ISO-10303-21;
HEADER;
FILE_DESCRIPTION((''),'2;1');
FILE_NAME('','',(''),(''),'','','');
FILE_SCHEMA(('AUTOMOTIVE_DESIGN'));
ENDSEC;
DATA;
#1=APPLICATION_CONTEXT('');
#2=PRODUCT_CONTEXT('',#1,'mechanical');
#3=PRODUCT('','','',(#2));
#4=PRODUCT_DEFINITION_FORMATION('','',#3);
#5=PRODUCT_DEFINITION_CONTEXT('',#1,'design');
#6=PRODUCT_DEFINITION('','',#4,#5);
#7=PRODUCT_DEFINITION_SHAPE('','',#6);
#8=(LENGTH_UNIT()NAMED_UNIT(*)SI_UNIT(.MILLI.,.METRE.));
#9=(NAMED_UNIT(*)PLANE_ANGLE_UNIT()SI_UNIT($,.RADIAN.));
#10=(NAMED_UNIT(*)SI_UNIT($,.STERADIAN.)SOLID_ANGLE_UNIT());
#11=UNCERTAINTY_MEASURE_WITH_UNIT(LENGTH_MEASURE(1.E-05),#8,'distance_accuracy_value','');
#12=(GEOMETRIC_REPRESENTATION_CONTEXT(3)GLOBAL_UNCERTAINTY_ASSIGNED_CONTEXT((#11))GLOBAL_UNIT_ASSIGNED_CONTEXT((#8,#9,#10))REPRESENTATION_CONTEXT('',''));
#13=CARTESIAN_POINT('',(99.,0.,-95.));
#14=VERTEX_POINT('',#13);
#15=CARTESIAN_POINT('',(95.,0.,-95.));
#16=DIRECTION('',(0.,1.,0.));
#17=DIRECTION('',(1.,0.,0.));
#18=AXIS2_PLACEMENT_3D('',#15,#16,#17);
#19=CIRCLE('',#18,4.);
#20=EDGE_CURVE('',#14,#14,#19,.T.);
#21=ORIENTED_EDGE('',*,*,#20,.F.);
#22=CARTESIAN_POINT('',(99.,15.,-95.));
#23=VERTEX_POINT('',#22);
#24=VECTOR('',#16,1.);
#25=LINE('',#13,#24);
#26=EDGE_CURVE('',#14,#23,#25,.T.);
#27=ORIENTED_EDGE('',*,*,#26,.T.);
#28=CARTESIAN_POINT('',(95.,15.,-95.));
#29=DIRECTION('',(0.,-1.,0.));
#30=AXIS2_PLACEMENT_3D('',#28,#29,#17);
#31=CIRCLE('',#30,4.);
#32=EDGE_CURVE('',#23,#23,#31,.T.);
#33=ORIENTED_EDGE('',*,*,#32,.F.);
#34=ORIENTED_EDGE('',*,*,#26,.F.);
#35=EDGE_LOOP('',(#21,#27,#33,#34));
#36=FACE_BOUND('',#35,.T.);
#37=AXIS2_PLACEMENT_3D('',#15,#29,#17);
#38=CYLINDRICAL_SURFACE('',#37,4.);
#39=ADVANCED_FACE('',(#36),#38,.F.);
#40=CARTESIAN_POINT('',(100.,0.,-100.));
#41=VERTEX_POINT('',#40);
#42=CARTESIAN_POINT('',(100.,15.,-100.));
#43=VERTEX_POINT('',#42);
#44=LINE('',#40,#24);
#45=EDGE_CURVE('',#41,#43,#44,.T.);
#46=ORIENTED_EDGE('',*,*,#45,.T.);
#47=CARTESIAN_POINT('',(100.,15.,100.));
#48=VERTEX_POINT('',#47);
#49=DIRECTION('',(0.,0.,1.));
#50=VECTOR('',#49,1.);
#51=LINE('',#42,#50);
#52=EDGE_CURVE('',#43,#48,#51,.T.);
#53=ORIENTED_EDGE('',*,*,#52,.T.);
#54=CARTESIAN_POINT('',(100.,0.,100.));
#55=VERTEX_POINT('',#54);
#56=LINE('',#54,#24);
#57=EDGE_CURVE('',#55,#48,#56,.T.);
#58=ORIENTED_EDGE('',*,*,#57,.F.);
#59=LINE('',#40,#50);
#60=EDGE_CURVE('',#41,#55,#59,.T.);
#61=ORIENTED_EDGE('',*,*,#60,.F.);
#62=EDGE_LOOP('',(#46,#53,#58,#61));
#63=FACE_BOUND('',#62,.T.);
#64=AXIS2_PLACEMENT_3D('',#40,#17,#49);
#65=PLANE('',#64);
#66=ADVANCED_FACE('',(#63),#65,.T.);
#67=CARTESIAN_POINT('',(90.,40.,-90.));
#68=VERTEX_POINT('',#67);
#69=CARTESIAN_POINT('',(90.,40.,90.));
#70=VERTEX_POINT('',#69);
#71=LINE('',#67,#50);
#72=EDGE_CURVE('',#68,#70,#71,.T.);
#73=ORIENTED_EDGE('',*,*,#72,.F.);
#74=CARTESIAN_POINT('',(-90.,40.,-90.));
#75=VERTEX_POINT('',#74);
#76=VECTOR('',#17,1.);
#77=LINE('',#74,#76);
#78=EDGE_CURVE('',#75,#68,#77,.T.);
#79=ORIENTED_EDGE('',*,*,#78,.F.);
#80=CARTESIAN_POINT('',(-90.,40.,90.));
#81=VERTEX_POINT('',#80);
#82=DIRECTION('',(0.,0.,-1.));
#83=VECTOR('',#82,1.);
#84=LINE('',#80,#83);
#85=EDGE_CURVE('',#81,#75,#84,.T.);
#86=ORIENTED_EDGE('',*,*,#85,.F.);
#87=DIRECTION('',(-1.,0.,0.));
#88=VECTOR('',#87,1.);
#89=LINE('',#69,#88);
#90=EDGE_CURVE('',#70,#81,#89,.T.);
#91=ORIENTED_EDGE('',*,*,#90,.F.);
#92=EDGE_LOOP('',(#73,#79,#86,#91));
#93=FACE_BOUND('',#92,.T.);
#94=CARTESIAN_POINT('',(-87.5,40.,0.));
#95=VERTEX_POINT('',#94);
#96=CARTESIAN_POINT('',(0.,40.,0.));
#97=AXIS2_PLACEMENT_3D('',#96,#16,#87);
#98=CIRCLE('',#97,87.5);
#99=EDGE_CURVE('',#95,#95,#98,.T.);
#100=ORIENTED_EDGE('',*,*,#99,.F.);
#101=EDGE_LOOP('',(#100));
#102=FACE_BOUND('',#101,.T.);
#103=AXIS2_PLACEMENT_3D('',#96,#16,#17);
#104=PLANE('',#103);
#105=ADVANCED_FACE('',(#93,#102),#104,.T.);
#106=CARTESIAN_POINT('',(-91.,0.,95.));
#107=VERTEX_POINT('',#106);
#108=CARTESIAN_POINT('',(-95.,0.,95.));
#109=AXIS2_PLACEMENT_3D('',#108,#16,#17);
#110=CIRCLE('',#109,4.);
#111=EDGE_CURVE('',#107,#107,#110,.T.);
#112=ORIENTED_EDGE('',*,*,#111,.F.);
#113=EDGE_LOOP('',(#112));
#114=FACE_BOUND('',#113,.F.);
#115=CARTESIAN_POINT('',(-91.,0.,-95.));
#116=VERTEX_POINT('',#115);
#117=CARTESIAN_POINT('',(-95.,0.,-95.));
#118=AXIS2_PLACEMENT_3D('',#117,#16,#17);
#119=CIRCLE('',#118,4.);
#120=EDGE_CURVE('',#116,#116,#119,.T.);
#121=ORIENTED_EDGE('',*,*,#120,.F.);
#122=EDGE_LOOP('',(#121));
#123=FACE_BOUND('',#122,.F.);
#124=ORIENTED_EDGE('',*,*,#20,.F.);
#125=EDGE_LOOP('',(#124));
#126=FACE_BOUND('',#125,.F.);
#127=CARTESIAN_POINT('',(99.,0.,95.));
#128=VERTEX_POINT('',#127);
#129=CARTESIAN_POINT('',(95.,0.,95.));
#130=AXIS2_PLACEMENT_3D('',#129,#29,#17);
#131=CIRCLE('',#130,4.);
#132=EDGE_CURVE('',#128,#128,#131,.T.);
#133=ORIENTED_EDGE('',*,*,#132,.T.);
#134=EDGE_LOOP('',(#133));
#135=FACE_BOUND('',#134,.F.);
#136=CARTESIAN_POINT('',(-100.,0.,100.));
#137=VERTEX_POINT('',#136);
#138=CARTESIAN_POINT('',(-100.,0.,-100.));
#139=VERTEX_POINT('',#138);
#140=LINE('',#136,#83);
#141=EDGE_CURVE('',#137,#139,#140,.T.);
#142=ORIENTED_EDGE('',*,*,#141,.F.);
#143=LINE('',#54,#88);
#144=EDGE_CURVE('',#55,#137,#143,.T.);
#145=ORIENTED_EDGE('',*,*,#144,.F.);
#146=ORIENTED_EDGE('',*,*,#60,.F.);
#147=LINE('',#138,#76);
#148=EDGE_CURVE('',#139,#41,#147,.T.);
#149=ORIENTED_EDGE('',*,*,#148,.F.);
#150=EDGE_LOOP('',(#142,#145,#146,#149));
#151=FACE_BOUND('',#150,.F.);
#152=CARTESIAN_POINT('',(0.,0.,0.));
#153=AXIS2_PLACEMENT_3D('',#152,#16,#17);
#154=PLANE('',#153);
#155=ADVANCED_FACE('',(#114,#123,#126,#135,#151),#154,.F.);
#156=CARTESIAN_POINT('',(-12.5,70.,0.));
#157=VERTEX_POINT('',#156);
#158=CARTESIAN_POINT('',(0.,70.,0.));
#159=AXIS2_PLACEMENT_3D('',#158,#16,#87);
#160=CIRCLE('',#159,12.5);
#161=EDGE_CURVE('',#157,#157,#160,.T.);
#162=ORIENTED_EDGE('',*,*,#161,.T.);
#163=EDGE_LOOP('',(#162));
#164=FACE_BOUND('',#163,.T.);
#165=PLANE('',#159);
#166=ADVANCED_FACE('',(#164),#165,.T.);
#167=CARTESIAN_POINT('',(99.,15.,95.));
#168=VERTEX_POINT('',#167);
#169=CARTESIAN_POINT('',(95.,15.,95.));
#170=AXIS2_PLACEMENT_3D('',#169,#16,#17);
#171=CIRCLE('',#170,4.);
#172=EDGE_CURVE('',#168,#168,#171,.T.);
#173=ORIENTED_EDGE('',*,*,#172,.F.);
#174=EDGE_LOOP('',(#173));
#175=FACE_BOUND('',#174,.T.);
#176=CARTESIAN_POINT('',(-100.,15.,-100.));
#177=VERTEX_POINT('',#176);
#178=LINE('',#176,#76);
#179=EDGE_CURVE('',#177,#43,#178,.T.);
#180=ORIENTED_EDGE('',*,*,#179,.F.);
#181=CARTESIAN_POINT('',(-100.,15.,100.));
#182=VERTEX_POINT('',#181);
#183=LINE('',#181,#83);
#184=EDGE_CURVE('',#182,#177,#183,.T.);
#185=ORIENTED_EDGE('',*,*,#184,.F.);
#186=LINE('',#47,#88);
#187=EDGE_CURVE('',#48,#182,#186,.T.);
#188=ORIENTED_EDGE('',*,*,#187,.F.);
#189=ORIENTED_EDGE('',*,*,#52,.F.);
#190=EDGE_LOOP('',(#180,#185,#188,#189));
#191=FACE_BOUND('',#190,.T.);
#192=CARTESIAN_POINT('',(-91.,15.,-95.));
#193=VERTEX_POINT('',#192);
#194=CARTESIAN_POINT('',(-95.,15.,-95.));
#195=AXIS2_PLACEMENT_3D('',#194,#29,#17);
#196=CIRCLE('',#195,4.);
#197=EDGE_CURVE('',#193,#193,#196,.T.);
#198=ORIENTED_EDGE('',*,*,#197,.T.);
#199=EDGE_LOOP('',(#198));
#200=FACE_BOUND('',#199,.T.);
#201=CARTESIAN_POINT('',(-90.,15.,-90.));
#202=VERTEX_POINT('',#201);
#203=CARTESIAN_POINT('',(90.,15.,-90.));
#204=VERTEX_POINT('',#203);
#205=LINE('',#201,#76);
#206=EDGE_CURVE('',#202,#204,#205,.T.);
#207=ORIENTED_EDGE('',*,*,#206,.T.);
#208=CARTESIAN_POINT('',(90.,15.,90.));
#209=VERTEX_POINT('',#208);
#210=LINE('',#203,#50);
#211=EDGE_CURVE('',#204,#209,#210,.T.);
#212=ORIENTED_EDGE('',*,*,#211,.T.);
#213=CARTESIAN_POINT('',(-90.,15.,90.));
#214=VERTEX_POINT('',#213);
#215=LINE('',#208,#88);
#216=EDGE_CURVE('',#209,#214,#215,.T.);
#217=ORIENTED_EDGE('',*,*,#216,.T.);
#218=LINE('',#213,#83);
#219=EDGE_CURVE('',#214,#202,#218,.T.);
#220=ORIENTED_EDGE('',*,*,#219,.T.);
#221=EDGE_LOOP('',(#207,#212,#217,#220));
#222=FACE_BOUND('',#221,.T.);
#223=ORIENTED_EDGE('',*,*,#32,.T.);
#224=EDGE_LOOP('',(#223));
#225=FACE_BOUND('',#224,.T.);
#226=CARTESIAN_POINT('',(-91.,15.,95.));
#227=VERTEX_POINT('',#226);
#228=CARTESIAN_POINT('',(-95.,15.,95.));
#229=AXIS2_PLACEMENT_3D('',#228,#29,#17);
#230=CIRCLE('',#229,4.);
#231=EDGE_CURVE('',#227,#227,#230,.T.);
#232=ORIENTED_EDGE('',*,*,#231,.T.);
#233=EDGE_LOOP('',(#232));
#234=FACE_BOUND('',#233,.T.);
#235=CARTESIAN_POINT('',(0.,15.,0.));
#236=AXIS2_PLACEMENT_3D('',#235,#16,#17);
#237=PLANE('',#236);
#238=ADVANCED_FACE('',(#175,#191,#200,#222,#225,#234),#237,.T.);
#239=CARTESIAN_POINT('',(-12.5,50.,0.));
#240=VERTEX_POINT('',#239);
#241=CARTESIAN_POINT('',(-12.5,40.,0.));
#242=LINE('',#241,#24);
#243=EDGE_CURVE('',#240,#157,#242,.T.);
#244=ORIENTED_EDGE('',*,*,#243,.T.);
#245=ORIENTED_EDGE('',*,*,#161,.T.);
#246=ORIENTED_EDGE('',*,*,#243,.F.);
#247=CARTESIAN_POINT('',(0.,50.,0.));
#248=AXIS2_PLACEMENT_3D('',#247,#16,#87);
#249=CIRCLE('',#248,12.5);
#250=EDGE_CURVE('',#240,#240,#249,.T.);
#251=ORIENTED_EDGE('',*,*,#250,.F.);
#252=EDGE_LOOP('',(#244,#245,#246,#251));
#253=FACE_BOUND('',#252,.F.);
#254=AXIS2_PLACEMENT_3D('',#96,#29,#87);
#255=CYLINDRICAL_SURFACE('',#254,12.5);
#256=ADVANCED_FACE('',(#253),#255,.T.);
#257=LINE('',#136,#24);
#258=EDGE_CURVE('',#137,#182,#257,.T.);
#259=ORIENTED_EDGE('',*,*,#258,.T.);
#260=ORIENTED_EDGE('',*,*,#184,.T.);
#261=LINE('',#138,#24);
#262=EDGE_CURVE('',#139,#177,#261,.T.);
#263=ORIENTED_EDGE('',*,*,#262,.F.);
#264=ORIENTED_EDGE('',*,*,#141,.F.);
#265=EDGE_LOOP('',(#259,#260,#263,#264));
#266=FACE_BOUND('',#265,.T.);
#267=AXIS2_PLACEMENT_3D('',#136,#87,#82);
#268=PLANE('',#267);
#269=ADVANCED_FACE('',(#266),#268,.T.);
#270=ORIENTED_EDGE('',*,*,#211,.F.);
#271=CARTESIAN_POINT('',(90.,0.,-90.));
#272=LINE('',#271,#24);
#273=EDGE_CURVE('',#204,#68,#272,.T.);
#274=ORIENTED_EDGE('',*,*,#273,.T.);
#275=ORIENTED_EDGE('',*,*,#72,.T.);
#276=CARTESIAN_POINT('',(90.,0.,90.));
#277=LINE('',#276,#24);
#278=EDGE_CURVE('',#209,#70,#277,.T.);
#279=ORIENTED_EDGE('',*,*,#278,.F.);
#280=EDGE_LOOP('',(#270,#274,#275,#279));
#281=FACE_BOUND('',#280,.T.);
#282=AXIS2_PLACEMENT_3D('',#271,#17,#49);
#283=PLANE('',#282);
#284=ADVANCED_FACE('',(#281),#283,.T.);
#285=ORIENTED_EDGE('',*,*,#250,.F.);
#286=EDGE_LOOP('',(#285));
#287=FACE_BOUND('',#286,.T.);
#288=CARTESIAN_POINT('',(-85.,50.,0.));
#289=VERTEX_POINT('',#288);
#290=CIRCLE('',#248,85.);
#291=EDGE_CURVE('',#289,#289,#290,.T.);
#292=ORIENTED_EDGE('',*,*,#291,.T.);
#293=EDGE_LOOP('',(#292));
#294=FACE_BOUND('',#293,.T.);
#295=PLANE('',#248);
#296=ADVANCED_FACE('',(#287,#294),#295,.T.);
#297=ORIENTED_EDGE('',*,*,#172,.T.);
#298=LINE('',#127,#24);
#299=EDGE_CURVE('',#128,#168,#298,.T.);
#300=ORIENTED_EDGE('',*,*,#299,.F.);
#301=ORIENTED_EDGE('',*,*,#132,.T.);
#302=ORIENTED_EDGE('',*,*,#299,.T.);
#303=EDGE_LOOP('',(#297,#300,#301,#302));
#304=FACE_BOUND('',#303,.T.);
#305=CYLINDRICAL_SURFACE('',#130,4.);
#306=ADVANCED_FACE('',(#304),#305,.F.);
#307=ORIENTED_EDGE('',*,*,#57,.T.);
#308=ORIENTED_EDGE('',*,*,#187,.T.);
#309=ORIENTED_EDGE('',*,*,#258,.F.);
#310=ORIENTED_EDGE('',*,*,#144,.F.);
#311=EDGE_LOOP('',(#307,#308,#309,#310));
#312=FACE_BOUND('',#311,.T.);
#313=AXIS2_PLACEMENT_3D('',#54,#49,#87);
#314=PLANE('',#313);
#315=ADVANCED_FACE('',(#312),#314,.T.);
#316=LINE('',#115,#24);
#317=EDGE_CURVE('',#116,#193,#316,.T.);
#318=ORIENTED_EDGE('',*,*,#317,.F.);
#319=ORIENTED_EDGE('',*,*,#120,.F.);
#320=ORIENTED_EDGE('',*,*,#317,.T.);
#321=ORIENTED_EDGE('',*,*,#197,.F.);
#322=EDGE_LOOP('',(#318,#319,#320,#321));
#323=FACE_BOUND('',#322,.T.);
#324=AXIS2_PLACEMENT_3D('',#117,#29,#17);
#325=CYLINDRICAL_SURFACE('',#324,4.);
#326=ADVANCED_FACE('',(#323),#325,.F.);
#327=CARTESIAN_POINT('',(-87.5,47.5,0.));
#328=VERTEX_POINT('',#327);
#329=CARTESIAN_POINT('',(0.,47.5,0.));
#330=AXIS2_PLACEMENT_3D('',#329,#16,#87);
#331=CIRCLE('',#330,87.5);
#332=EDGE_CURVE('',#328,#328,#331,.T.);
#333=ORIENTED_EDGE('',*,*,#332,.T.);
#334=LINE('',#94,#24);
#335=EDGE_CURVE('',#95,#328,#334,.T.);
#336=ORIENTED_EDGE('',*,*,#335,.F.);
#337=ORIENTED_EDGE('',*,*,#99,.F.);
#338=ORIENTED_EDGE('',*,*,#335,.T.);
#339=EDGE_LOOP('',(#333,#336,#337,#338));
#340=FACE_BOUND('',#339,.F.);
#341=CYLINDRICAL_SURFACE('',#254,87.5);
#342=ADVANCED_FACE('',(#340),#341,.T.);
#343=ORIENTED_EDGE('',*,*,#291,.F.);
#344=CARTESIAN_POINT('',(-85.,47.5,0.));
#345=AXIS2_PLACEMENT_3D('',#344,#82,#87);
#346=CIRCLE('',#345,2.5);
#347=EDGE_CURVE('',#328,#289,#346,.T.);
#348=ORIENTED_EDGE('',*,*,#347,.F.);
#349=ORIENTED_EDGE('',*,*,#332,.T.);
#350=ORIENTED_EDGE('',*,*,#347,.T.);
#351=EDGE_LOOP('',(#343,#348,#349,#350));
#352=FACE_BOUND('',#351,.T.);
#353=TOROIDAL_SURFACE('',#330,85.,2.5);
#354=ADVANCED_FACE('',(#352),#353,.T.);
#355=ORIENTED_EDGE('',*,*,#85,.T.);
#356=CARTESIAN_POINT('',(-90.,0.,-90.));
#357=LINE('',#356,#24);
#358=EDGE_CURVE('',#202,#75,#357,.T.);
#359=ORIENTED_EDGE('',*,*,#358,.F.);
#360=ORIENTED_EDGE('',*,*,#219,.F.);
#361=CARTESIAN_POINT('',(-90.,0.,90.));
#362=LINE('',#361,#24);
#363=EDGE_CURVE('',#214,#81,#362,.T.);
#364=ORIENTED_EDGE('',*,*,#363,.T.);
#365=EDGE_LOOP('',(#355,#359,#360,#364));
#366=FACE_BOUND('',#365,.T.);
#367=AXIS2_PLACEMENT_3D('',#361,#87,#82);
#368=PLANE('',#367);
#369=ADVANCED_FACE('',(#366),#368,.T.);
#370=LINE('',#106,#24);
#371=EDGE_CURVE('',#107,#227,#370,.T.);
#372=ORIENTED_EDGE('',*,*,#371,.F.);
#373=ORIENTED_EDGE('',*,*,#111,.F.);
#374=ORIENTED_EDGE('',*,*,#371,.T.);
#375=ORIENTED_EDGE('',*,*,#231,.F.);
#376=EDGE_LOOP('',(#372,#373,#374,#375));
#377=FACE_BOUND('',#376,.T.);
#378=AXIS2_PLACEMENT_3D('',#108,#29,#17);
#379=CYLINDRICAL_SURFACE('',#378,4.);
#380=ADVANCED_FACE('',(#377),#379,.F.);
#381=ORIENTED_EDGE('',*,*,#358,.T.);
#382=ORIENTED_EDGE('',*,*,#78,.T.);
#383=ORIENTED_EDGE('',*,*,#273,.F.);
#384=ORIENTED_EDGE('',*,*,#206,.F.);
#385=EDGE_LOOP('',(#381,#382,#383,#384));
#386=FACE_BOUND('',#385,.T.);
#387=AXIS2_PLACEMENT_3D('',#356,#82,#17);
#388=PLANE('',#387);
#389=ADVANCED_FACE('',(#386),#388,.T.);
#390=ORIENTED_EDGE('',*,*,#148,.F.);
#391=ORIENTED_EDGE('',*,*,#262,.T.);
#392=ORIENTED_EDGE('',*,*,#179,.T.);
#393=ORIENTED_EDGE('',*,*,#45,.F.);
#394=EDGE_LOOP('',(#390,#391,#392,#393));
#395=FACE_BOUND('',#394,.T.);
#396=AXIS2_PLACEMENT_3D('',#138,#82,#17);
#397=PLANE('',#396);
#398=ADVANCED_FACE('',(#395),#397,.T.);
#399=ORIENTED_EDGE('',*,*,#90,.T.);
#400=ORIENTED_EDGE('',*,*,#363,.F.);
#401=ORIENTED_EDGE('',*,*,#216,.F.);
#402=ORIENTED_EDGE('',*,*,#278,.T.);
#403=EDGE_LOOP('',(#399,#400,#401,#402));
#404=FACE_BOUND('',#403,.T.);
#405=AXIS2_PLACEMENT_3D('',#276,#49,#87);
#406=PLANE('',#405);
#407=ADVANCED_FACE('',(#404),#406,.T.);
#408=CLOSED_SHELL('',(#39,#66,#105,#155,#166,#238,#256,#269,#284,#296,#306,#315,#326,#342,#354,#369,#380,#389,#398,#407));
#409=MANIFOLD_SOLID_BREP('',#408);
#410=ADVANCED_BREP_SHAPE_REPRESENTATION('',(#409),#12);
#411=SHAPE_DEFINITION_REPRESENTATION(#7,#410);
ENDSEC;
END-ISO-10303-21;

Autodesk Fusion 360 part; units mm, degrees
sketch "Sketch1" plane through (0, 0, 0) normal (0, 1, 0) x (1, 0, 0)
  line L0 (90, -90) -> (-90, -90)
  line L1 (-90, -90) -> (-90, 90)
  line L2 (-90, 90) -> (90, 90)
  line L3 (90, 90) -> (90, -90)
  line L4 (90, -90) -> (-90, 90) construction
  line L5 (-90, -90) -> (90, 90) construction
  line L6 (100, -100) -> (-100, -100)
  line L7 (-100, -100) -> (-100, 100)
  line L8 (-100, 100) -> (100, 100)
  line L9 (100, 100) -> (100, -100)
  line L10 (100, -100) -> (-100, 100) construction
  line L11 (-100, -100) -> (100, 100) construction
  line L12 (-100, 100) -> (-90, 90)
  line L13 (100, 100) -> (90, 90)
  line L14 (90, -90) -> (100, -100)
  line L15 (-90, -90) -> (-100, -100)
  circle A0 centre (-95, -95) radius 4
  circle A1 centre (-95, 95) radius 4
  circle A2 centre (95, 95) radius 4
  circle A3 centre (95, -95) radius 4
  dimension "d3" = 180
  dimension "d4" = 180
  dimension "d5" = 200
  dimension "d6" = 200
  dimension "d7" = 8
  dimension "d8" = 8
  dimension "d9" = 8
  dimension "d10" = 8
extrude "Extrude1" add sketch "Sketch1" along normal blind 40 contours L0 L1 L2 L3
extrude "Extrude2" add sketch "Sketch1" along normal blind 15 contours L0 L6 L14 L15 A0 A3 | L3 L9 L13 L14 A2 A3 | L1 L7 L12 L15 A0 A1 | L2 L8 L12 L13 A1 A2
sketch "Sketch2" plane through (0, 40, 0) normal (0, 1, 0) x (-1, 0, 0)
  line L0 (-90, -90) -> (90, -90)
  line L1 (90, -90) -> (90, 90)
  line L2 (90, 90) -> (-90, 90)
  line L3 (-90, 90) -> (-90, -90)
  circle A0 centre (0, 0) radius 87.5
  circle A1 centre (0, 0) radius 12.5
  dimension "d15" = 175
  dimension "d16" = 25
extrude "Extrude3" add sketch "Sketch2" along normal blind 30 contours A1
extrude "Extrude4" add sketch "Sketch2" along normal blind 10 contours A0
fillet "Fillet1" radius 2.5 1 edges at (81.5786, 50, -31.6414)
sketch "Sketch3" plane through (0, 50, 0) normal (0, 1, 0) x (-1, 0, 0)
  circle A0 centre (0, 0) radius 12.5
  circle A1 centre (0, 0) radius 85
